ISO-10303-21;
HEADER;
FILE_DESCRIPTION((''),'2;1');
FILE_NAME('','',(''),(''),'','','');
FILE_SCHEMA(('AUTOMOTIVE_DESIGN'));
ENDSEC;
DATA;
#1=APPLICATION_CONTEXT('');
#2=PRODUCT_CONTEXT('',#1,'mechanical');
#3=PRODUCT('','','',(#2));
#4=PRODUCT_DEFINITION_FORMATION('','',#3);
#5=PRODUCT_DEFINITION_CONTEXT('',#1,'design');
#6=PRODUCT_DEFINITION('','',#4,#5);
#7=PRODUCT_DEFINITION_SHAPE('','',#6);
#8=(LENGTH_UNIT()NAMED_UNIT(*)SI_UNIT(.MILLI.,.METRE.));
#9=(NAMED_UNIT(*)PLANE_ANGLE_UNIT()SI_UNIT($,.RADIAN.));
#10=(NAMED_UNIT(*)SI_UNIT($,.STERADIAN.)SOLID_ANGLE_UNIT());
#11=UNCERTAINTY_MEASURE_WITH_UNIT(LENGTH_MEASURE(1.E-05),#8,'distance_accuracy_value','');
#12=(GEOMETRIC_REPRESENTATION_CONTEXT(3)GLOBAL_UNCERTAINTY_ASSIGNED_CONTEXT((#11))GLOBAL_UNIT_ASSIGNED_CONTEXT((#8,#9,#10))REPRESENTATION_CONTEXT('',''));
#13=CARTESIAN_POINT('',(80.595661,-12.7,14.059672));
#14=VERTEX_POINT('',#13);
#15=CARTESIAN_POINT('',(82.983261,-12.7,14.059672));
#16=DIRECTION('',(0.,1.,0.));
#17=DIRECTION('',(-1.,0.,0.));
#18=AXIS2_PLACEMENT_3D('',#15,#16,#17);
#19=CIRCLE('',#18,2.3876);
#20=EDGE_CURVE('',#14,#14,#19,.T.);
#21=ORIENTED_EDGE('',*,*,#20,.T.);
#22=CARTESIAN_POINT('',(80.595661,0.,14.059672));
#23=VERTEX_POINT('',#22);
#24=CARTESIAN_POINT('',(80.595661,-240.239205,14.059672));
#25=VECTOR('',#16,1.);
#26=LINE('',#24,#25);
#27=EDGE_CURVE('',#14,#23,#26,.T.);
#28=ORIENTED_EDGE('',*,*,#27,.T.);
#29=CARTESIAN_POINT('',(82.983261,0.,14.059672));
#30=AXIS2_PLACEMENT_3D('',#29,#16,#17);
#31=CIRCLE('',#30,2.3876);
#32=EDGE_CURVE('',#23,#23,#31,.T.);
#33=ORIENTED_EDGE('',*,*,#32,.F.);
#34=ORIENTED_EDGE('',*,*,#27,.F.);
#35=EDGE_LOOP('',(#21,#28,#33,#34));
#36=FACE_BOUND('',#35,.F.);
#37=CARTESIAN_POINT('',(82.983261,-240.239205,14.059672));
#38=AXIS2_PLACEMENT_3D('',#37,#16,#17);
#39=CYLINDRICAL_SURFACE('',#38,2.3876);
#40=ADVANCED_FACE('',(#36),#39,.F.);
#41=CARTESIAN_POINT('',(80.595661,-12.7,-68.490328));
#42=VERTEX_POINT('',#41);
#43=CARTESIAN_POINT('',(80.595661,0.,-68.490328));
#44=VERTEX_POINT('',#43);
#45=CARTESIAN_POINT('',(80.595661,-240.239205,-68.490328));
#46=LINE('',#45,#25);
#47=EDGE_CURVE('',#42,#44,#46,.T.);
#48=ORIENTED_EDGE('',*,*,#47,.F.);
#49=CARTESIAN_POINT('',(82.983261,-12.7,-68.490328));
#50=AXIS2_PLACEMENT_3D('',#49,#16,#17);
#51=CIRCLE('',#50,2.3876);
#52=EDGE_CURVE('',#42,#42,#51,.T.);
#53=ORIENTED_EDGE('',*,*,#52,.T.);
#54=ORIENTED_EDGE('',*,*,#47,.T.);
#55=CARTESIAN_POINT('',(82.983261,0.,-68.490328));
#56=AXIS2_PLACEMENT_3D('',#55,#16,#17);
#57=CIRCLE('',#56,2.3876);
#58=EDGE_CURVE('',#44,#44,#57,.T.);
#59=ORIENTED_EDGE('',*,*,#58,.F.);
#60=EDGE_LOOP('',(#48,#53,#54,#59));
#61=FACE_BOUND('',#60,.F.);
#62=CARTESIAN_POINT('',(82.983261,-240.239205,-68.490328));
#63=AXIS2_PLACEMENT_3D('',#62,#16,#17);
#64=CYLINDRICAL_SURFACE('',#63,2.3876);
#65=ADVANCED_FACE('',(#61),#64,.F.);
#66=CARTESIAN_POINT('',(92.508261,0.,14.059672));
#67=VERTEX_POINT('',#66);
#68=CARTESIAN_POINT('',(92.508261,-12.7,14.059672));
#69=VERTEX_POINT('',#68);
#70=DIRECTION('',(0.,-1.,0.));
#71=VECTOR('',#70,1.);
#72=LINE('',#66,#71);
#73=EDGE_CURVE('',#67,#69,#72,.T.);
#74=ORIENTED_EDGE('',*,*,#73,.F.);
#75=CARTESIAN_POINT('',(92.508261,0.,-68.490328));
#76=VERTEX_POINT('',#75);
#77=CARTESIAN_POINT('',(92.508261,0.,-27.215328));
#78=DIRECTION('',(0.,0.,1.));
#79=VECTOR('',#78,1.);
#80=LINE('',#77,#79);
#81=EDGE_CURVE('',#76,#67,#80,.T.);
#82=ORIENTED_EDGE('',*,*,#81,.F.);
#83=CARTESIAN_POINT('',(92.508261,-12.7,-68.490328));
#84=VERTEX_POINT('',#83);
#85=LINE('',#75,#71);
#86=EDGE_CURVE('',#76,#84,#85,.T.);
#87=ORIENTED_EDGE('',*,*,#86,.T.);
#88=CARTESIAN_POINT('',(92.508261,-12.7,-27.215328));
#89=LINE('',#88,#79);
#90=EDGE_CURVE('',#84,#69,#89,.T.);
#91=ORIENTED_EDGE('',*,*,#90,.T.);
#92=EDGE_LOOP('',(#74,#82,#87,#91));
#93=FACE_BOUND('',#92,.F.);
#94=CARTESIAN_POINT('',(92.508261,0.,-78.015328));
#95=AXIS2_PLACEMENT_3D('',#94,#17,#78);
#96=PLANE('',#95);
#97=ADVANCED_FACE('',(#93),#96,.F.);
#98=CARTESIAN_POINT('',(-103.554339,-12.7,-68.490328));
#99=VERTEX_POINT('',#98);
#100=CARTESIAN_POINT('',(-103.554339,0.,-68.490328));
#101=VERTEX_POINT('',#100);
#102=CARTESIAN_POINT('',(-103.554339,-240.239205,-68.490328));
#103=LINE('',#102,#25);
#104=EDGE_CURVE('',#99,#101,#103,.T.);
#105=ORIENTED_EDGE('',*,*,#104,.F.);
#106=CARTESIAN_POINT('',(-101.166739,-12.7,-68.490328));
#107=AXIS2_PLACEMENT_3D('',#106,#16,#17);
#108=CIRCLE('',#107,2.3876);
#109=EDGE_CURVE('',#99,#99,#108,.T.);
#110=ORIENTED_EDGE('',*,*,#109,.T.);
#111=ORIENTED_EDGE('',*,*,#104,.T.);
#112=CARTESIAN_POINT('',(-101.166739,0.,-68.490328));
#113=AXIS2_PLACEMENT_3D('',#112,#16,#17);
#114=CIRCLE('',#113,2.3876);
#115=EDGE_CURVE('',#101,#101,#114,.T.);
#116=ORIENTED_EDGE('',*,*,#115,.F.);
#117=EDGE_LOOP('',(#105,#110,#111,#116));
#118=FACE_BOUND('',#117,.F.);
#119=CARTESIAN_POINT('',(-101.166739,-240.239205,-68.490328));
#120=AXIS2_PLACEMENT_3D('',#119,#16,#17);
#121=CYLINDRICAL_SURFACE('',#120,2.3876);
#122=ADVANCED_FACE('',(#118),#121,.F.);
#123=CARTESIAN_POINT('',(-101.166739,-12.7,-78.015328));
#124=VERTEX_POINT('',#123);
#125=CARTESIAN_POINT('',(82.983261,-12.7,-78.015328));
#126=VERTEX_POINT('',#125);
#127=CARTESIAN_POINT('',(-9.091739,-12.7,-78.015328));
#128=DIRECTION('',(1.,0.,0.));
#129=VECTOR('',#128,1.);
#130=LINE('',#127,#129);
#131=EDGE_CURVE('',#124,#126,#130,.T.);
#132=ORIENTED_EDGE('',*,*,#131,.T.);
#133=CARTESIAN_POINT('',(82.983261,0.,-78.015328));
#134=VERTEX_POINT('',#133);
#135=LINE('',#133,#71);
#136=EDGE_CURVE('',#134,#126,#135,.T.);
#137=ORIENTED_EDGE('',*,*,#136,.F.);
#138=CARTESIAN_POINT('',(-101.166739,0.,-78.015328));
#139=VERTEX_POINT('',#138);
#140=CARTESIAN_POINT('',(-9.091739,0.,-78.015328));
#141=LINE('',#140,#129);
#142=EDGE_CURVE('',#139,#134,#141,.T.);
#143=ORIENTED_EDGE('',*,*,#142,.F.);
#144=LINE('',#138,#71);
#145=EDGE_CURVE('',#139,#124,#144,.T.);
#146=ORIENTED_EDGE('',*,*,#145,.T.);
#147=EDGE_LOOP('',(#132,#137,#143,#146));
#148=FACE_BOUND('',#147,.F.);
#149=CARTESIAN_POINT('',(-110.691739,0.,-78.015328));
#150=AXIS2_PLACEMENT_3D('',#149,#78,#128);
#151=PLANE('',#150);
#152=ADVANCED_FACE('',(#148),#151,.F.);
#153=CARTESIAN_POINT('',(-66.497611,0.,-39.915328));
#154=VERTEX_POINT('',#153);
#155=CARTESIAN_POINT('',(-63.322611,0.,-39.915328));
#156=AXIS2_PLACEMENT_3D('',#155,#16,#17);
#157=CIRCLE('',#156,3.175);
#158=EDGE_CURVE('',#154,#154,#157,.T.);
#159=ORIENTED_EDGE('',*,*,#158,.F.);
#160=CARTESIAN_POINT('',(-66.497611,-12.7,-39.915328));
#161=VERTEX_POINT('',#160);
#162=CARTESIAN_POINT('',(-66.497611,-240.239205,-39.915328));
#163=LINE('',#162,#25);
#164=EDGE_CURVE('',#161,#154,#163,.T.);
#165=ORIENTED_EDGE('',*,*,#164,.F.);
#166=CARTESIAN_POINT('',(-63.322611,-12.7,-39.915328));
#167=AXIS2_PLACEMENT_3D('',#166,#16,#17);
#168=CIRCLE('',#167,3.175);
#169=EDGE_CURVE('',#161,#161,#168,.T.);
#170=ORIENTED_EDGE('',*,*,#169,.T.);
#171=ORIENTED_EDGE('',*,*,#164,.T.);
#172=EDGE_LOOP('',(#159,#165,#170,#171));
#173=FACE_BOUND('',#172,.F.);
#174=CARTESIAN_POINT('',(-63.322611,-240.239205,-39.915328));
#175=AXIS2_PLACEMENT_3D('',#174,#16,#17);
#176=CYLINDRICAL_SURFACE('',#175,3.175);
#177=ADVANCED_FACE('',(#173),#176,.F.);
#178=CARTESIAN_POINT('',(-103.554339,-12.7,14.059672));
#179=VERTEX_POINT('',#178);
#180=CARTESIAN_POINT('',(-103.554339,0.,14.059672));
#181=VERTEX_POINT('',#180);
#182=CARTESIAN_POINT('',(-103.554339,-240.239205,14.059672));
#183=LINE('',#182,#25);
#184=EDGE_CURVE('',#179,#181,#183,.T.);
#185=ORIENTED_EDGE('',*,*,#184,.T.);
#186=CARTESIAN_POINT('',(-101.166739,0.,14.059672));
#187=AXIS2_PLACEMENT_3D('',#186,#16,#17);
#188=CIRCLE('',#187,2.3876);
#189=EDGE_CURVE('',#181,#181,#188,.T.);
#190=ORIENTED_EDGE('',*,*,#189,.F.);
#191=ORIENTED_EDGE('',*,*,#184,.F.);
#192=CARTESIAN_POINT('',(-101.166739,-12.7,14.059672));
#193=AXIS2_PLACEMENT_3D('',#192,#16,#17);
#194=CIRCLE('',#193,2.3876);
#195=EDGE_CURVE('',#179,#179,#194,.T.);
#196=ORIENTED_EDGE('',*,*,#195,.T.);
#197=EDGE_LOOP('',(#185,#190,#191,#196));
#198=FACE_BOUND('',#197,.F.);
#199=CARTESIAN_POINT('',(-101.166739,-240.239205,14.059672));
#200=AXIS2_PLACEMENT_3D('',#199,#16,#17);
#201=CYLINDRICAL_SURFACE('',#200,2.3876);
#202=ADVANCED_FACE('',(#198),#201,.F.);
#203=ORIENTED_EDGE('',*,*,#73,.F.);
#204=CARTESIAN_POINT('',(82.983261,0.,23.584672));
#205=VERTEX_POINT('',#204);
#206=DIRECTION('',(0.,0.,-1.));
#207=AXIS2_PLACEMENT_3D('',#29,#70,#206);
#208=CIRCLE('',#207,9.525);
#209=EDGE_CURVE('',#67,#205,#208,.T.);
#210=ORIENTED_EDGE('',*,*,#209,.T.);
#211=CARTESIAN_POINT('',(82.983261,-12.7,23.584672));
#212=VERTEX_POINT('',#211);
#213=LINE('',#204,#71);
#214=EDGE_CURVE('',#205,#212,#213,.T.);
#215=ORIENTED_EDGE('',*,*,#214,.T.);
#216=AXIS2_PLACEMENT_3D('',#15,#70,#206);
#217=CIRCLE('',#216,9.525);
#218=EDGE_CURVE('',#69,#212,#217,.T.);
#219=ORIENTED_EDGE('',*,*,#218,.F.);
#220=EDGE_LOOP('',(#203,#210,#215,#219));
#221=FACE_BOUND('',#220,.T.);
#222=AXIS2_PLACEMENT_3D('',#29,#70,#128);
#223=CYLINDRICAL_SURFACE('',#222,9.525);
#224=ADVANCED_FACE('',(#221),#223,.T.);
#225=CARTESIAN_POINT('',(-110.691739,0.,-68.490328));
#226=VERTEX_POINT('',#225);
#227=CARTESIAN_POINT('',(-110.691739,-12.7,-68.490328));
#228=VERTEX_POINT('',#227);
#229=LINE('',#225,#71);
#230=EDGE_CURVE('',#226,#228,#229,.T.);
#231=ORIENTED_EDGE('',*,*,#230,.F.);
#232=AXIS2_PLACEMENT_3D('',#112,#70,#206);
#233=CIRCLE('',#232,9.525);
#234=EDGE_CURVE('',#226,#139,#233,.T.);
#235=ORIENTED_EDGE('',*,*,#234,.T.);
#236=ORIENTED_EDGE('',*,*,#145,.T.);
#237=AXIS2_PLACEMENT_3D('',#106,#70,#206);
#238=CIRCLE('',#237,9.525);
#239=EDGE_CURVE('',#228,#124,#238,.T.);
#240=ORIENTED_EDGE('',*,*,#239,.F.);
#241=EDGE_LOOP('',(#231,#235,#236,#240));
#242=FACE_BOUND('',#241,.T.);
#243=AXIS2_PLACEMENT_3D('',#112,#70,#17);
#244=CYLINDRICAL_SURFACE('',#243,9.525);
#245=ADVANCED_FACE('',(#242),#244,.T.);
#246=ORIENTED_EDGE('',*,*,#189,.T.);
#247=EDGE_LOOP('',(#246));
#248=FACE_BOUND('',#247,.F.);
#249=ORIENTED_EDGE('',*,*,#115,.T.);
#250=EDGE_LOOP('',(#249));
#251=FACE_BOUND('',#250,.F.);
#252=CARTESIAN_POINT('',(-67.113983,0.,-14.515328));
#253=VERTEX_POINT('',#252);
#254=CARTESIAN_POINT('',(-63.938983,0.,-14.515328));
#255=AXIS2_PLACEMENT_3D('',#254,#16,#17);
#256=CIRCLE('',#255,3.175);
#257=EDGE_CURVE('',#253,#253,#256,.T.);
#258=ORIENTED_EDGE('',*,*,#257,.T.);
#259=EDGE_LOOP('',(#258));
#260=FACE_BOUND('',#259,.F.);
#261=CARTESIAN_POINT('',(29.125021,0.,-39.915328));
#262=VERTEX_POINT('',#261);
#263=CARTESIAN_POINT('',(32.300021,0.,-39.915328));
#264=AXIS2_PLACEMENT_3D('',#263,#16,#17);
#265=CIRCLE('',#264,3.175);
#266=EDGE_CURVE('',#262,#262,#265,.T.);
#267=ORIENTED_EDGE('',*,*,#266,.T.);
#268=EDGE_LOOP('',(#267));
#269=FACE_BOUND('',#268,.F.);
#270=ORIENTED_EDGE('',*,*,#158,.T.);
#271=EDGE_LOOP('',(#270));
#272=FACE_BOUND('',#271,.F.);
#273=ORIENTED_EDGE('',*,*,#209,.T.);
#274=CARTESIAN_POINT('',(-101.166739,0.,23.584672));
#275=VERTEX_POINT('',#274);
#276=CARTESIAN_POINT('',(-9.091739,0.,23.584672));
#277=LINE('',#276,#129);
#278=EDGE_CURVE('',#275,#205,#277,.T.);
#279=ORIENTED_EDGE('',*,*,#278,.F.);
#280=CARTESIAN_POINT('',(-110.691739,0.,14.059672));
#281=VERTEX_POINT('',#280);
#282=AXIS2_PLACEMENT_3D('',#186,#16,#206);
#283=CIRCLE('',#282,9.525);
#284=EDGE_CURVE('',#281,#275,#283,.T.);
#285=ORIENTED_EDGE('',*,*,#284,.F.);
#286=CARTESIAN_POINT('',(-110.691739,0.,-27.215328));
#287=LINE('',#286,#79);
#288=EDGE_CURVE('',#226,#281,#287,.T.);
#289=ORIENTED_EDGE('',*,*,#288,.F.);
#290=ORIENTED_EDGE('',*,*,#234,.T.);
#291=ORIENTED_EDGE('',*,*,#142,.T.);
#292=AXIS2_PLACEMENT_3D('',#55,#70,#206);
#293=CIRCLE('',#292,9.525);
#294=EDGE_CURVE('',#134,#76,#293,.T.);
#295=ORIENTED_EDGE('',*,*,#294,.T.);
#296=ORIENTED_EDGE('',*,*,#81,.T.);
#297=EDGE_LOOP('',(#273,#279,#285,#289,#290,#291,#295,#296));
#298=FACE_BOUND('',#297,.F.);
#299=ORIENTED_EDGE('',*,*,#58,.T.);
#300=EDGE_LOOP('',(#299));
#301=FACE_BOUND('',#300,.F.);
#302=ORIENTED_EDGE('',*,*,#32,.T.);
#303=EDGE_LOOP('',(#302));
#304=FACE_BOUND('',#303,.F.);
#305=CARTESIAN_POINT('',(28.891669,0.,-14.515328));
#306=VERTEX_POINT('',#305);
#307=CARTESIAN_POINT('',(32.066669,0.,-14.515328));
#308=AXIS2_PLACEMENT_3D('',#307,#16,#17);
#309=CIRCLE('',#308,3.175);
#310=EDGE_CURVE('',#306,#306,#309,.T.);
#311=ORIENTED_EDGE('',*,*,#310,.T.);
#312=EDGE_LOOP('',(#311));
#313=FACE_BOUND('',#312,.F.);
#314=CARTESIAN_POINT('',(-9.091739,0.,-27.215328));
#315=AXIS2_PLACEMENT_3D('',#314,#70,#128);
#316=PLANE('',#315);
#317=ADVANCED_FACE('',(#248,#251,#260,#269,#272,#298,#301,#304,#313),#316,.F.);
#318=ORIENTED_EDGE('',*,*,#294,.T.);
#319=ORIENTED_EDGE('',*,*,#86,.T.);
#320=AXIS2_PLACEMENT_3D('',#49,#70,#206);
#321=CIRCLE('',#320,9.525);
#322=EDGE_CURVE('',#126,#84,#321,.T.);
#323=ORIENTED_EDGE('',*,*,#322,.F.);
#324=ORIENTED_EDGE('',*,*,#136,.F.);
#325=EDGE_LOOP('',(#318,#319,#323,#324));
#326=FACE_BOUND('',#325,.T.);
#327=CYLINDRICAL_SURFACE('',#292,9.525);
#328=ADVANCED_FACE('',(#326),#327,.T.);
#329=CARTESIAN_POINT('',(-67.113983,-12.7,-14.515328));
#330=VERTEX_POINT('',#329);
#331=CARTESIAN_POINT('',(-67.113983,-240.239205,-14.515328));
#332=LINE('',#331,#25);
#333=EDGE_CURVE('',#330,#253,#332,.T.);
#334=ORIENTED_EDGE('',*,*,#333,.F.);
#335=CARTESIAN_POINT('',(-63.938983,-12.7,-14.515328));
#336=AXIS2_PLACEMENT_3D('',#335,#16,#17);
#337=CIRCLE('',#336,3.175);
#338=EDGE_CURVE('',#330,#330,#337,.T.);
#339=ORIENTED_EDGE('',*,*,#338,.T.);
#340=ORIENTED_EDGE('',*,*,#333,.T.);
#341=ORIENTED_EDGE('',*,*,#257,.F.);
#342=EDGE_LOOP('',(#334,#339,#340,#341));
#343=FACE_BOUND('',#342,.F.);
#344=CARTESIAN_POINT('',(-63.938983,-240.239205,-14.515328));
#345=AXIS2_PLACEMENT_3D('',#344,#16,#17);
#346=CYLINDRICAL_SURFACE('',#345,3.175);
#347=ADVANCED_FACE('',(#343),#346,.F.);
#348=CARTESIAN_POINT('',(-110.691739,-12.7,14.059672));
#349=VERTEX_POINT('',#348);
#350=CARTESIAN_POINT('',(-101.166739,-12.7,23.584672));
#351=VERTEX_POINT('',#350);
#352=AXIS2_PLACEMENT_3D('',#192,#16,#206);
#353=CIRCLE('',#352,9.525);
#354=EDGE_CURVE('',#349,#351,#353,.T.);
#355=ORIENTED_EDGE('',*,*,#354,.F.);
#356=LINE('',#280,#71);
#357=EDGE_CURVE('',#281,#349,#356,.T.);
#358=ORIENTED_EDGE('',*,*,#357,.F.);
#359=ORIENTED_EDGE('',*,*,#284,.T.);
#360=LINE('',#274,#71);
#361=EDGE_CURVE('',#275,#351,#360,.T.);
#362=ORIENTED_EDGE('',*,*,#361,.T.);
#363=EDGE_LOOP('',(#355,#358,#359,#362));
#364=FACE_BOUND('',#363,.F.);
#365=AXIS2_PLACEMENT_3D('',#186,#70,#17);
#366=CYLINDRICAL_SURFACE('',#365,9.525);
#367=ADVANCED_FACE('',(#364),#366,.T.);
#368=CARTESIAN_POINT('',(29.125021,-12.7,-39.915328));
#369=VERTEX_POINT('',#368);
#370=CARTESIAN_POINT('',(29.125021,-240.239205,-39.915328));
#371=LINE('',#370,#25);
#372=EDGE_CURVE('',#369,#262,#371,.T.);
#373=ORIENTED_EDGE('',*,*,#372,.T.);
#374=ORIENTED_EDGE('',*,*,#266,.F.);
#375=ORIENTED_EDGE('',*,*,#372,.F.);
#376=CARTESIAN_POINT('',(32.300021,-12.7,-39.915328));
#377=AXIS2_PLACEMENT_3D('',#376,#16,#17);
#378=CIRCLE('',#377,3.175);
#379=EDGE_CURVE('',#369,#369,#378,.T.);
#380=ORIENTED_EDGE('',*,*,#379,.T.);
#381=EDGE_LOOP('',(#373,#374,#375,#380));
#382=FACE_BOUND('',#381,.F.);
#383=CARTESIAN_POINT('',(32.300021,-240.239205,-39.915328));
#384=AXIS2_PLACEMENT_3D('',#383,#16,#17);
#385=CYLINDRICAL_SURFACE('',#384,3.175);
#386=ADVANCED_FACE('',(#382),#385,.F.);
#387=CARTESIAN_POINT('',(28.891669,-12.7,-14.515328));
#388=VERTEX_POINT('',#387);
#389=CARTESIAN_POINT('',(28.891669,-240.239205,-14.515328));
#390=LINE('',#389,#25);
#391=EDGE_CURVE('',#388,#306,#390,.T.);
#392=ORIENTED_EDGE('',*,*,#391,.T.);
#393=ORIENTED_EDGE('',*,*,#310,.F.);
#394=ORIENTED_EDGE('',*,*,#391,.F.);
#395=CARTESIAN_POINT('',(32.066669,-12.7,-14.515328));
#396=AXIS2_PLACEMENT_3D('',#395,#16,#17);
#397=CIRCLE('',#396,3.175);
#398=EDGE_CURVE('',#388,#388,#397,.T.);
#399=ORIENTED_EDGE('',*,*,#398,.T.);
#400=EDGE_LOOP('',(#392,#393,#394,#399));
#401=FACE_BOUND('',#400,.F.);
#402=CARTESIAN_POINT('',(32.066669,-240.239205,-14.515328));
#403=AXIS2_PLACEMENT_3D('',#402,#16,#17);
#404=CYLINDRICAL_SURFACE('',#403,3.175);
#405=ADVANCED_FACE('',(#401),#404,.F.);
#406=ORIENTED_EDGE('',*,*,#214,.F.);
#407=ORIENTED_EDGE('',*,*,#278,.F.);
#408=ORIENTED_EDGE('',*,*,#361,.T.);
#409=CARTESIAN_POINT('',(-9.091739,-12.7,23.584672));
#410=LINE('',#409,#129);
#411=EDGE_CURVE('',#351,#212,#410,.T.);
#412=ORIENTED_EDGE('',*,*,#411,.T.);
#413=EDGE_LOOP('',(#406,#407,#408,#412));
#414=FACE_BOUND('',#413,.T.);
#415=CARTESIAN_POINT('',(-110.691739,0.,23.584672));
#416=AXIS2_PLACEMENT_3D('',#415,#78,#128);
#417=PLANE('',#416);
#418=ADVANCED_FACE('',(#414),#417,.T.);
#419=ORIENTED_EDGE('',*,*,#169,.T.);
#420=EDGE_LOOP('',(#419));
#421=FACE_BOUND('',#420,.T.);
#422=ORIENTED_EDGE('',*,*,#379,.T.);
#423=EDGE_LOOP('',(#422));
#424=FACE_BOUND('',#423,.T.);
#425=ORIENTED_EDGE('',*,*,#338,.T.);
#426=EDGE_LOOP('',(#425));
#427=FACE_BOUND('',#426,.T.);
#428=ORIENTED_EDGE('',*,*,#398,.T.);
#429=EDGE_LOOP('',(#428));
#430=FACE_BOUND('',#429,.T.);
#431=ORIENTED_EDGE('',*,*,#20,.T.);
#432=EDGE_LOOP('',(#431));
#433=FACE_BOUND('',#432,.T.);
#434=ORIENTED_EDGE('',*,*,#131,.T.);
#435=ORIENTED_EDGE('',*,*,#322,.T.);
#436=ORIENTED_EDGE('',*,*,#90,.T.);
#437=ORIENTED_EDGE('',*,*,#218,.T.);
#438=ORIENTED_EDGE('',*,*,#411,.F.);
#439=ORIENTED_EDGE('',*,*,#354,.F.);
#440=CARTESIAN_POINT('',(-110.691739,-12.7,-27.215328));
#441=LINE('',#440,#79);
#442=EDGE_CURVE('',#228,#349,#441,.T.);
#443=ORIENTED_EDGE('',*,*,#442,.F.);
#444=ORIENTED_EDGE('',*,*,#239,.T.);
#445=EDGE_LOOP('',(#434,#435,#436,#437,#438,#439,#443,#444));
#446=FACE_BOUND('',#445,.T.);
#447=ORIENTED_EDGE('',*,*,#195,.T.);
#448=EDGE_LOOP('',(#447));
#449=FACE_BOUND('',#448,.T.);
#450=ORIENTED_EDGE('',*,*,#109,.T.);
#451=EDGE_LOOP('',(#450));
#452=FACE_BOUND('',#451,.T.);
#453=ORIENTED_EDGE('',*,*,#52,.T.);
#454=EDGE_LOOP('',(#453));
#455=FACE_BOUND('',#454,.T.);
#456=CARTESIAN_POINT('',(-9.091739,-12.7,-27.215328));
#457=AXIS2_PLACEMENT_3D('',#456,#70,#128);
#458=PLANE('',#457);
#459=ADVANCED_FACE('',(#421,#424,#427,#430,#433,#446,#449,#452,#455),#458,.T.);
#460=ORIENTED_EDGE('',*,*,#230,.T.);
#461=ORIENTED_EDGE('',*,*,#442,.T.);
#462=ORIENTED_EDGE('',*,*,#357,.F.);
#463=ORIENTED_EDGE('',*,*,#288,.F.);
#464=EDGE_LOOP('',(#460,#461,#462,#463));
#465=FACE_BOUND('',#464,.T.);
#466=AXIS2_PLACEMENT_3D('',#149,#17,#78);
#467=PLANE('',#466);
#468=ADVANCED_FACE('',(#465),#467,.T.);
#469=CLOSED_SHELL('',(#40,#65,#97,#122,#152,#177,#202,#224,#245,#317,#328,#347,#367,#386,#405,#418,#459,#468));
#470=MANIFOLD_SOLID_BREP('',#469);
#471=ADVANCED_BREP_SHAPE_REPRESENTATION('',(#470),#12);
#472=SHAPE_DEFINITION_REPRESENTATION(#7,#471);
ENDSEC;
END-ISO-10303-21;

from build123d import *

# Parameters (mm, degrees)
F0_W     = 203.2
F0_H     = 101.6
F1_DEPTH = 12.7
F2_R     = 9.525
F4_D     = 4.7752
F5_D     = 6.35


with BuildPart() as f1:
    # F0 (on Front) → F1 (new body)
    with BuildSketch(Plane.XZ):
        with Locations((-9.091739, -27.215328)):
            Rectangle(F0_W, F0_H)
    extrude(amount=F1_DEPTH)

    # F2
    f2_edges = [f1.edges().sort_by_distance(p)[0] for p in [
        (-110.691739, -6.35, 23.584672),
        (-110.691739, -6.35, -78.015328),
        (92.508261, -6.35, 23.584672),
        (92.508261, -6.35, -78.015328),
    ]]
    fillet(f2_edges, radius=F2_R)

    # F4 (through all)
    with Locations(Plane.XZ.offset(12.7)):
        with Locations((-101.166739, 14.059672), (-101.166739, -68.490328), (82.983261, 14.059672), (82.983261, -68.490328)):
            Hole(F4_D / 2)

    # F5 (through all)
    with Locations(Plane.XZ.offset(12.7)):
        with Locations((-63.938983, -14.515328), (-63.322611, -39.915328), (32.066669, -14.515328), (32.300021, -39.915328)):
            Hole(F5_D / 2)


solid = f1.part
